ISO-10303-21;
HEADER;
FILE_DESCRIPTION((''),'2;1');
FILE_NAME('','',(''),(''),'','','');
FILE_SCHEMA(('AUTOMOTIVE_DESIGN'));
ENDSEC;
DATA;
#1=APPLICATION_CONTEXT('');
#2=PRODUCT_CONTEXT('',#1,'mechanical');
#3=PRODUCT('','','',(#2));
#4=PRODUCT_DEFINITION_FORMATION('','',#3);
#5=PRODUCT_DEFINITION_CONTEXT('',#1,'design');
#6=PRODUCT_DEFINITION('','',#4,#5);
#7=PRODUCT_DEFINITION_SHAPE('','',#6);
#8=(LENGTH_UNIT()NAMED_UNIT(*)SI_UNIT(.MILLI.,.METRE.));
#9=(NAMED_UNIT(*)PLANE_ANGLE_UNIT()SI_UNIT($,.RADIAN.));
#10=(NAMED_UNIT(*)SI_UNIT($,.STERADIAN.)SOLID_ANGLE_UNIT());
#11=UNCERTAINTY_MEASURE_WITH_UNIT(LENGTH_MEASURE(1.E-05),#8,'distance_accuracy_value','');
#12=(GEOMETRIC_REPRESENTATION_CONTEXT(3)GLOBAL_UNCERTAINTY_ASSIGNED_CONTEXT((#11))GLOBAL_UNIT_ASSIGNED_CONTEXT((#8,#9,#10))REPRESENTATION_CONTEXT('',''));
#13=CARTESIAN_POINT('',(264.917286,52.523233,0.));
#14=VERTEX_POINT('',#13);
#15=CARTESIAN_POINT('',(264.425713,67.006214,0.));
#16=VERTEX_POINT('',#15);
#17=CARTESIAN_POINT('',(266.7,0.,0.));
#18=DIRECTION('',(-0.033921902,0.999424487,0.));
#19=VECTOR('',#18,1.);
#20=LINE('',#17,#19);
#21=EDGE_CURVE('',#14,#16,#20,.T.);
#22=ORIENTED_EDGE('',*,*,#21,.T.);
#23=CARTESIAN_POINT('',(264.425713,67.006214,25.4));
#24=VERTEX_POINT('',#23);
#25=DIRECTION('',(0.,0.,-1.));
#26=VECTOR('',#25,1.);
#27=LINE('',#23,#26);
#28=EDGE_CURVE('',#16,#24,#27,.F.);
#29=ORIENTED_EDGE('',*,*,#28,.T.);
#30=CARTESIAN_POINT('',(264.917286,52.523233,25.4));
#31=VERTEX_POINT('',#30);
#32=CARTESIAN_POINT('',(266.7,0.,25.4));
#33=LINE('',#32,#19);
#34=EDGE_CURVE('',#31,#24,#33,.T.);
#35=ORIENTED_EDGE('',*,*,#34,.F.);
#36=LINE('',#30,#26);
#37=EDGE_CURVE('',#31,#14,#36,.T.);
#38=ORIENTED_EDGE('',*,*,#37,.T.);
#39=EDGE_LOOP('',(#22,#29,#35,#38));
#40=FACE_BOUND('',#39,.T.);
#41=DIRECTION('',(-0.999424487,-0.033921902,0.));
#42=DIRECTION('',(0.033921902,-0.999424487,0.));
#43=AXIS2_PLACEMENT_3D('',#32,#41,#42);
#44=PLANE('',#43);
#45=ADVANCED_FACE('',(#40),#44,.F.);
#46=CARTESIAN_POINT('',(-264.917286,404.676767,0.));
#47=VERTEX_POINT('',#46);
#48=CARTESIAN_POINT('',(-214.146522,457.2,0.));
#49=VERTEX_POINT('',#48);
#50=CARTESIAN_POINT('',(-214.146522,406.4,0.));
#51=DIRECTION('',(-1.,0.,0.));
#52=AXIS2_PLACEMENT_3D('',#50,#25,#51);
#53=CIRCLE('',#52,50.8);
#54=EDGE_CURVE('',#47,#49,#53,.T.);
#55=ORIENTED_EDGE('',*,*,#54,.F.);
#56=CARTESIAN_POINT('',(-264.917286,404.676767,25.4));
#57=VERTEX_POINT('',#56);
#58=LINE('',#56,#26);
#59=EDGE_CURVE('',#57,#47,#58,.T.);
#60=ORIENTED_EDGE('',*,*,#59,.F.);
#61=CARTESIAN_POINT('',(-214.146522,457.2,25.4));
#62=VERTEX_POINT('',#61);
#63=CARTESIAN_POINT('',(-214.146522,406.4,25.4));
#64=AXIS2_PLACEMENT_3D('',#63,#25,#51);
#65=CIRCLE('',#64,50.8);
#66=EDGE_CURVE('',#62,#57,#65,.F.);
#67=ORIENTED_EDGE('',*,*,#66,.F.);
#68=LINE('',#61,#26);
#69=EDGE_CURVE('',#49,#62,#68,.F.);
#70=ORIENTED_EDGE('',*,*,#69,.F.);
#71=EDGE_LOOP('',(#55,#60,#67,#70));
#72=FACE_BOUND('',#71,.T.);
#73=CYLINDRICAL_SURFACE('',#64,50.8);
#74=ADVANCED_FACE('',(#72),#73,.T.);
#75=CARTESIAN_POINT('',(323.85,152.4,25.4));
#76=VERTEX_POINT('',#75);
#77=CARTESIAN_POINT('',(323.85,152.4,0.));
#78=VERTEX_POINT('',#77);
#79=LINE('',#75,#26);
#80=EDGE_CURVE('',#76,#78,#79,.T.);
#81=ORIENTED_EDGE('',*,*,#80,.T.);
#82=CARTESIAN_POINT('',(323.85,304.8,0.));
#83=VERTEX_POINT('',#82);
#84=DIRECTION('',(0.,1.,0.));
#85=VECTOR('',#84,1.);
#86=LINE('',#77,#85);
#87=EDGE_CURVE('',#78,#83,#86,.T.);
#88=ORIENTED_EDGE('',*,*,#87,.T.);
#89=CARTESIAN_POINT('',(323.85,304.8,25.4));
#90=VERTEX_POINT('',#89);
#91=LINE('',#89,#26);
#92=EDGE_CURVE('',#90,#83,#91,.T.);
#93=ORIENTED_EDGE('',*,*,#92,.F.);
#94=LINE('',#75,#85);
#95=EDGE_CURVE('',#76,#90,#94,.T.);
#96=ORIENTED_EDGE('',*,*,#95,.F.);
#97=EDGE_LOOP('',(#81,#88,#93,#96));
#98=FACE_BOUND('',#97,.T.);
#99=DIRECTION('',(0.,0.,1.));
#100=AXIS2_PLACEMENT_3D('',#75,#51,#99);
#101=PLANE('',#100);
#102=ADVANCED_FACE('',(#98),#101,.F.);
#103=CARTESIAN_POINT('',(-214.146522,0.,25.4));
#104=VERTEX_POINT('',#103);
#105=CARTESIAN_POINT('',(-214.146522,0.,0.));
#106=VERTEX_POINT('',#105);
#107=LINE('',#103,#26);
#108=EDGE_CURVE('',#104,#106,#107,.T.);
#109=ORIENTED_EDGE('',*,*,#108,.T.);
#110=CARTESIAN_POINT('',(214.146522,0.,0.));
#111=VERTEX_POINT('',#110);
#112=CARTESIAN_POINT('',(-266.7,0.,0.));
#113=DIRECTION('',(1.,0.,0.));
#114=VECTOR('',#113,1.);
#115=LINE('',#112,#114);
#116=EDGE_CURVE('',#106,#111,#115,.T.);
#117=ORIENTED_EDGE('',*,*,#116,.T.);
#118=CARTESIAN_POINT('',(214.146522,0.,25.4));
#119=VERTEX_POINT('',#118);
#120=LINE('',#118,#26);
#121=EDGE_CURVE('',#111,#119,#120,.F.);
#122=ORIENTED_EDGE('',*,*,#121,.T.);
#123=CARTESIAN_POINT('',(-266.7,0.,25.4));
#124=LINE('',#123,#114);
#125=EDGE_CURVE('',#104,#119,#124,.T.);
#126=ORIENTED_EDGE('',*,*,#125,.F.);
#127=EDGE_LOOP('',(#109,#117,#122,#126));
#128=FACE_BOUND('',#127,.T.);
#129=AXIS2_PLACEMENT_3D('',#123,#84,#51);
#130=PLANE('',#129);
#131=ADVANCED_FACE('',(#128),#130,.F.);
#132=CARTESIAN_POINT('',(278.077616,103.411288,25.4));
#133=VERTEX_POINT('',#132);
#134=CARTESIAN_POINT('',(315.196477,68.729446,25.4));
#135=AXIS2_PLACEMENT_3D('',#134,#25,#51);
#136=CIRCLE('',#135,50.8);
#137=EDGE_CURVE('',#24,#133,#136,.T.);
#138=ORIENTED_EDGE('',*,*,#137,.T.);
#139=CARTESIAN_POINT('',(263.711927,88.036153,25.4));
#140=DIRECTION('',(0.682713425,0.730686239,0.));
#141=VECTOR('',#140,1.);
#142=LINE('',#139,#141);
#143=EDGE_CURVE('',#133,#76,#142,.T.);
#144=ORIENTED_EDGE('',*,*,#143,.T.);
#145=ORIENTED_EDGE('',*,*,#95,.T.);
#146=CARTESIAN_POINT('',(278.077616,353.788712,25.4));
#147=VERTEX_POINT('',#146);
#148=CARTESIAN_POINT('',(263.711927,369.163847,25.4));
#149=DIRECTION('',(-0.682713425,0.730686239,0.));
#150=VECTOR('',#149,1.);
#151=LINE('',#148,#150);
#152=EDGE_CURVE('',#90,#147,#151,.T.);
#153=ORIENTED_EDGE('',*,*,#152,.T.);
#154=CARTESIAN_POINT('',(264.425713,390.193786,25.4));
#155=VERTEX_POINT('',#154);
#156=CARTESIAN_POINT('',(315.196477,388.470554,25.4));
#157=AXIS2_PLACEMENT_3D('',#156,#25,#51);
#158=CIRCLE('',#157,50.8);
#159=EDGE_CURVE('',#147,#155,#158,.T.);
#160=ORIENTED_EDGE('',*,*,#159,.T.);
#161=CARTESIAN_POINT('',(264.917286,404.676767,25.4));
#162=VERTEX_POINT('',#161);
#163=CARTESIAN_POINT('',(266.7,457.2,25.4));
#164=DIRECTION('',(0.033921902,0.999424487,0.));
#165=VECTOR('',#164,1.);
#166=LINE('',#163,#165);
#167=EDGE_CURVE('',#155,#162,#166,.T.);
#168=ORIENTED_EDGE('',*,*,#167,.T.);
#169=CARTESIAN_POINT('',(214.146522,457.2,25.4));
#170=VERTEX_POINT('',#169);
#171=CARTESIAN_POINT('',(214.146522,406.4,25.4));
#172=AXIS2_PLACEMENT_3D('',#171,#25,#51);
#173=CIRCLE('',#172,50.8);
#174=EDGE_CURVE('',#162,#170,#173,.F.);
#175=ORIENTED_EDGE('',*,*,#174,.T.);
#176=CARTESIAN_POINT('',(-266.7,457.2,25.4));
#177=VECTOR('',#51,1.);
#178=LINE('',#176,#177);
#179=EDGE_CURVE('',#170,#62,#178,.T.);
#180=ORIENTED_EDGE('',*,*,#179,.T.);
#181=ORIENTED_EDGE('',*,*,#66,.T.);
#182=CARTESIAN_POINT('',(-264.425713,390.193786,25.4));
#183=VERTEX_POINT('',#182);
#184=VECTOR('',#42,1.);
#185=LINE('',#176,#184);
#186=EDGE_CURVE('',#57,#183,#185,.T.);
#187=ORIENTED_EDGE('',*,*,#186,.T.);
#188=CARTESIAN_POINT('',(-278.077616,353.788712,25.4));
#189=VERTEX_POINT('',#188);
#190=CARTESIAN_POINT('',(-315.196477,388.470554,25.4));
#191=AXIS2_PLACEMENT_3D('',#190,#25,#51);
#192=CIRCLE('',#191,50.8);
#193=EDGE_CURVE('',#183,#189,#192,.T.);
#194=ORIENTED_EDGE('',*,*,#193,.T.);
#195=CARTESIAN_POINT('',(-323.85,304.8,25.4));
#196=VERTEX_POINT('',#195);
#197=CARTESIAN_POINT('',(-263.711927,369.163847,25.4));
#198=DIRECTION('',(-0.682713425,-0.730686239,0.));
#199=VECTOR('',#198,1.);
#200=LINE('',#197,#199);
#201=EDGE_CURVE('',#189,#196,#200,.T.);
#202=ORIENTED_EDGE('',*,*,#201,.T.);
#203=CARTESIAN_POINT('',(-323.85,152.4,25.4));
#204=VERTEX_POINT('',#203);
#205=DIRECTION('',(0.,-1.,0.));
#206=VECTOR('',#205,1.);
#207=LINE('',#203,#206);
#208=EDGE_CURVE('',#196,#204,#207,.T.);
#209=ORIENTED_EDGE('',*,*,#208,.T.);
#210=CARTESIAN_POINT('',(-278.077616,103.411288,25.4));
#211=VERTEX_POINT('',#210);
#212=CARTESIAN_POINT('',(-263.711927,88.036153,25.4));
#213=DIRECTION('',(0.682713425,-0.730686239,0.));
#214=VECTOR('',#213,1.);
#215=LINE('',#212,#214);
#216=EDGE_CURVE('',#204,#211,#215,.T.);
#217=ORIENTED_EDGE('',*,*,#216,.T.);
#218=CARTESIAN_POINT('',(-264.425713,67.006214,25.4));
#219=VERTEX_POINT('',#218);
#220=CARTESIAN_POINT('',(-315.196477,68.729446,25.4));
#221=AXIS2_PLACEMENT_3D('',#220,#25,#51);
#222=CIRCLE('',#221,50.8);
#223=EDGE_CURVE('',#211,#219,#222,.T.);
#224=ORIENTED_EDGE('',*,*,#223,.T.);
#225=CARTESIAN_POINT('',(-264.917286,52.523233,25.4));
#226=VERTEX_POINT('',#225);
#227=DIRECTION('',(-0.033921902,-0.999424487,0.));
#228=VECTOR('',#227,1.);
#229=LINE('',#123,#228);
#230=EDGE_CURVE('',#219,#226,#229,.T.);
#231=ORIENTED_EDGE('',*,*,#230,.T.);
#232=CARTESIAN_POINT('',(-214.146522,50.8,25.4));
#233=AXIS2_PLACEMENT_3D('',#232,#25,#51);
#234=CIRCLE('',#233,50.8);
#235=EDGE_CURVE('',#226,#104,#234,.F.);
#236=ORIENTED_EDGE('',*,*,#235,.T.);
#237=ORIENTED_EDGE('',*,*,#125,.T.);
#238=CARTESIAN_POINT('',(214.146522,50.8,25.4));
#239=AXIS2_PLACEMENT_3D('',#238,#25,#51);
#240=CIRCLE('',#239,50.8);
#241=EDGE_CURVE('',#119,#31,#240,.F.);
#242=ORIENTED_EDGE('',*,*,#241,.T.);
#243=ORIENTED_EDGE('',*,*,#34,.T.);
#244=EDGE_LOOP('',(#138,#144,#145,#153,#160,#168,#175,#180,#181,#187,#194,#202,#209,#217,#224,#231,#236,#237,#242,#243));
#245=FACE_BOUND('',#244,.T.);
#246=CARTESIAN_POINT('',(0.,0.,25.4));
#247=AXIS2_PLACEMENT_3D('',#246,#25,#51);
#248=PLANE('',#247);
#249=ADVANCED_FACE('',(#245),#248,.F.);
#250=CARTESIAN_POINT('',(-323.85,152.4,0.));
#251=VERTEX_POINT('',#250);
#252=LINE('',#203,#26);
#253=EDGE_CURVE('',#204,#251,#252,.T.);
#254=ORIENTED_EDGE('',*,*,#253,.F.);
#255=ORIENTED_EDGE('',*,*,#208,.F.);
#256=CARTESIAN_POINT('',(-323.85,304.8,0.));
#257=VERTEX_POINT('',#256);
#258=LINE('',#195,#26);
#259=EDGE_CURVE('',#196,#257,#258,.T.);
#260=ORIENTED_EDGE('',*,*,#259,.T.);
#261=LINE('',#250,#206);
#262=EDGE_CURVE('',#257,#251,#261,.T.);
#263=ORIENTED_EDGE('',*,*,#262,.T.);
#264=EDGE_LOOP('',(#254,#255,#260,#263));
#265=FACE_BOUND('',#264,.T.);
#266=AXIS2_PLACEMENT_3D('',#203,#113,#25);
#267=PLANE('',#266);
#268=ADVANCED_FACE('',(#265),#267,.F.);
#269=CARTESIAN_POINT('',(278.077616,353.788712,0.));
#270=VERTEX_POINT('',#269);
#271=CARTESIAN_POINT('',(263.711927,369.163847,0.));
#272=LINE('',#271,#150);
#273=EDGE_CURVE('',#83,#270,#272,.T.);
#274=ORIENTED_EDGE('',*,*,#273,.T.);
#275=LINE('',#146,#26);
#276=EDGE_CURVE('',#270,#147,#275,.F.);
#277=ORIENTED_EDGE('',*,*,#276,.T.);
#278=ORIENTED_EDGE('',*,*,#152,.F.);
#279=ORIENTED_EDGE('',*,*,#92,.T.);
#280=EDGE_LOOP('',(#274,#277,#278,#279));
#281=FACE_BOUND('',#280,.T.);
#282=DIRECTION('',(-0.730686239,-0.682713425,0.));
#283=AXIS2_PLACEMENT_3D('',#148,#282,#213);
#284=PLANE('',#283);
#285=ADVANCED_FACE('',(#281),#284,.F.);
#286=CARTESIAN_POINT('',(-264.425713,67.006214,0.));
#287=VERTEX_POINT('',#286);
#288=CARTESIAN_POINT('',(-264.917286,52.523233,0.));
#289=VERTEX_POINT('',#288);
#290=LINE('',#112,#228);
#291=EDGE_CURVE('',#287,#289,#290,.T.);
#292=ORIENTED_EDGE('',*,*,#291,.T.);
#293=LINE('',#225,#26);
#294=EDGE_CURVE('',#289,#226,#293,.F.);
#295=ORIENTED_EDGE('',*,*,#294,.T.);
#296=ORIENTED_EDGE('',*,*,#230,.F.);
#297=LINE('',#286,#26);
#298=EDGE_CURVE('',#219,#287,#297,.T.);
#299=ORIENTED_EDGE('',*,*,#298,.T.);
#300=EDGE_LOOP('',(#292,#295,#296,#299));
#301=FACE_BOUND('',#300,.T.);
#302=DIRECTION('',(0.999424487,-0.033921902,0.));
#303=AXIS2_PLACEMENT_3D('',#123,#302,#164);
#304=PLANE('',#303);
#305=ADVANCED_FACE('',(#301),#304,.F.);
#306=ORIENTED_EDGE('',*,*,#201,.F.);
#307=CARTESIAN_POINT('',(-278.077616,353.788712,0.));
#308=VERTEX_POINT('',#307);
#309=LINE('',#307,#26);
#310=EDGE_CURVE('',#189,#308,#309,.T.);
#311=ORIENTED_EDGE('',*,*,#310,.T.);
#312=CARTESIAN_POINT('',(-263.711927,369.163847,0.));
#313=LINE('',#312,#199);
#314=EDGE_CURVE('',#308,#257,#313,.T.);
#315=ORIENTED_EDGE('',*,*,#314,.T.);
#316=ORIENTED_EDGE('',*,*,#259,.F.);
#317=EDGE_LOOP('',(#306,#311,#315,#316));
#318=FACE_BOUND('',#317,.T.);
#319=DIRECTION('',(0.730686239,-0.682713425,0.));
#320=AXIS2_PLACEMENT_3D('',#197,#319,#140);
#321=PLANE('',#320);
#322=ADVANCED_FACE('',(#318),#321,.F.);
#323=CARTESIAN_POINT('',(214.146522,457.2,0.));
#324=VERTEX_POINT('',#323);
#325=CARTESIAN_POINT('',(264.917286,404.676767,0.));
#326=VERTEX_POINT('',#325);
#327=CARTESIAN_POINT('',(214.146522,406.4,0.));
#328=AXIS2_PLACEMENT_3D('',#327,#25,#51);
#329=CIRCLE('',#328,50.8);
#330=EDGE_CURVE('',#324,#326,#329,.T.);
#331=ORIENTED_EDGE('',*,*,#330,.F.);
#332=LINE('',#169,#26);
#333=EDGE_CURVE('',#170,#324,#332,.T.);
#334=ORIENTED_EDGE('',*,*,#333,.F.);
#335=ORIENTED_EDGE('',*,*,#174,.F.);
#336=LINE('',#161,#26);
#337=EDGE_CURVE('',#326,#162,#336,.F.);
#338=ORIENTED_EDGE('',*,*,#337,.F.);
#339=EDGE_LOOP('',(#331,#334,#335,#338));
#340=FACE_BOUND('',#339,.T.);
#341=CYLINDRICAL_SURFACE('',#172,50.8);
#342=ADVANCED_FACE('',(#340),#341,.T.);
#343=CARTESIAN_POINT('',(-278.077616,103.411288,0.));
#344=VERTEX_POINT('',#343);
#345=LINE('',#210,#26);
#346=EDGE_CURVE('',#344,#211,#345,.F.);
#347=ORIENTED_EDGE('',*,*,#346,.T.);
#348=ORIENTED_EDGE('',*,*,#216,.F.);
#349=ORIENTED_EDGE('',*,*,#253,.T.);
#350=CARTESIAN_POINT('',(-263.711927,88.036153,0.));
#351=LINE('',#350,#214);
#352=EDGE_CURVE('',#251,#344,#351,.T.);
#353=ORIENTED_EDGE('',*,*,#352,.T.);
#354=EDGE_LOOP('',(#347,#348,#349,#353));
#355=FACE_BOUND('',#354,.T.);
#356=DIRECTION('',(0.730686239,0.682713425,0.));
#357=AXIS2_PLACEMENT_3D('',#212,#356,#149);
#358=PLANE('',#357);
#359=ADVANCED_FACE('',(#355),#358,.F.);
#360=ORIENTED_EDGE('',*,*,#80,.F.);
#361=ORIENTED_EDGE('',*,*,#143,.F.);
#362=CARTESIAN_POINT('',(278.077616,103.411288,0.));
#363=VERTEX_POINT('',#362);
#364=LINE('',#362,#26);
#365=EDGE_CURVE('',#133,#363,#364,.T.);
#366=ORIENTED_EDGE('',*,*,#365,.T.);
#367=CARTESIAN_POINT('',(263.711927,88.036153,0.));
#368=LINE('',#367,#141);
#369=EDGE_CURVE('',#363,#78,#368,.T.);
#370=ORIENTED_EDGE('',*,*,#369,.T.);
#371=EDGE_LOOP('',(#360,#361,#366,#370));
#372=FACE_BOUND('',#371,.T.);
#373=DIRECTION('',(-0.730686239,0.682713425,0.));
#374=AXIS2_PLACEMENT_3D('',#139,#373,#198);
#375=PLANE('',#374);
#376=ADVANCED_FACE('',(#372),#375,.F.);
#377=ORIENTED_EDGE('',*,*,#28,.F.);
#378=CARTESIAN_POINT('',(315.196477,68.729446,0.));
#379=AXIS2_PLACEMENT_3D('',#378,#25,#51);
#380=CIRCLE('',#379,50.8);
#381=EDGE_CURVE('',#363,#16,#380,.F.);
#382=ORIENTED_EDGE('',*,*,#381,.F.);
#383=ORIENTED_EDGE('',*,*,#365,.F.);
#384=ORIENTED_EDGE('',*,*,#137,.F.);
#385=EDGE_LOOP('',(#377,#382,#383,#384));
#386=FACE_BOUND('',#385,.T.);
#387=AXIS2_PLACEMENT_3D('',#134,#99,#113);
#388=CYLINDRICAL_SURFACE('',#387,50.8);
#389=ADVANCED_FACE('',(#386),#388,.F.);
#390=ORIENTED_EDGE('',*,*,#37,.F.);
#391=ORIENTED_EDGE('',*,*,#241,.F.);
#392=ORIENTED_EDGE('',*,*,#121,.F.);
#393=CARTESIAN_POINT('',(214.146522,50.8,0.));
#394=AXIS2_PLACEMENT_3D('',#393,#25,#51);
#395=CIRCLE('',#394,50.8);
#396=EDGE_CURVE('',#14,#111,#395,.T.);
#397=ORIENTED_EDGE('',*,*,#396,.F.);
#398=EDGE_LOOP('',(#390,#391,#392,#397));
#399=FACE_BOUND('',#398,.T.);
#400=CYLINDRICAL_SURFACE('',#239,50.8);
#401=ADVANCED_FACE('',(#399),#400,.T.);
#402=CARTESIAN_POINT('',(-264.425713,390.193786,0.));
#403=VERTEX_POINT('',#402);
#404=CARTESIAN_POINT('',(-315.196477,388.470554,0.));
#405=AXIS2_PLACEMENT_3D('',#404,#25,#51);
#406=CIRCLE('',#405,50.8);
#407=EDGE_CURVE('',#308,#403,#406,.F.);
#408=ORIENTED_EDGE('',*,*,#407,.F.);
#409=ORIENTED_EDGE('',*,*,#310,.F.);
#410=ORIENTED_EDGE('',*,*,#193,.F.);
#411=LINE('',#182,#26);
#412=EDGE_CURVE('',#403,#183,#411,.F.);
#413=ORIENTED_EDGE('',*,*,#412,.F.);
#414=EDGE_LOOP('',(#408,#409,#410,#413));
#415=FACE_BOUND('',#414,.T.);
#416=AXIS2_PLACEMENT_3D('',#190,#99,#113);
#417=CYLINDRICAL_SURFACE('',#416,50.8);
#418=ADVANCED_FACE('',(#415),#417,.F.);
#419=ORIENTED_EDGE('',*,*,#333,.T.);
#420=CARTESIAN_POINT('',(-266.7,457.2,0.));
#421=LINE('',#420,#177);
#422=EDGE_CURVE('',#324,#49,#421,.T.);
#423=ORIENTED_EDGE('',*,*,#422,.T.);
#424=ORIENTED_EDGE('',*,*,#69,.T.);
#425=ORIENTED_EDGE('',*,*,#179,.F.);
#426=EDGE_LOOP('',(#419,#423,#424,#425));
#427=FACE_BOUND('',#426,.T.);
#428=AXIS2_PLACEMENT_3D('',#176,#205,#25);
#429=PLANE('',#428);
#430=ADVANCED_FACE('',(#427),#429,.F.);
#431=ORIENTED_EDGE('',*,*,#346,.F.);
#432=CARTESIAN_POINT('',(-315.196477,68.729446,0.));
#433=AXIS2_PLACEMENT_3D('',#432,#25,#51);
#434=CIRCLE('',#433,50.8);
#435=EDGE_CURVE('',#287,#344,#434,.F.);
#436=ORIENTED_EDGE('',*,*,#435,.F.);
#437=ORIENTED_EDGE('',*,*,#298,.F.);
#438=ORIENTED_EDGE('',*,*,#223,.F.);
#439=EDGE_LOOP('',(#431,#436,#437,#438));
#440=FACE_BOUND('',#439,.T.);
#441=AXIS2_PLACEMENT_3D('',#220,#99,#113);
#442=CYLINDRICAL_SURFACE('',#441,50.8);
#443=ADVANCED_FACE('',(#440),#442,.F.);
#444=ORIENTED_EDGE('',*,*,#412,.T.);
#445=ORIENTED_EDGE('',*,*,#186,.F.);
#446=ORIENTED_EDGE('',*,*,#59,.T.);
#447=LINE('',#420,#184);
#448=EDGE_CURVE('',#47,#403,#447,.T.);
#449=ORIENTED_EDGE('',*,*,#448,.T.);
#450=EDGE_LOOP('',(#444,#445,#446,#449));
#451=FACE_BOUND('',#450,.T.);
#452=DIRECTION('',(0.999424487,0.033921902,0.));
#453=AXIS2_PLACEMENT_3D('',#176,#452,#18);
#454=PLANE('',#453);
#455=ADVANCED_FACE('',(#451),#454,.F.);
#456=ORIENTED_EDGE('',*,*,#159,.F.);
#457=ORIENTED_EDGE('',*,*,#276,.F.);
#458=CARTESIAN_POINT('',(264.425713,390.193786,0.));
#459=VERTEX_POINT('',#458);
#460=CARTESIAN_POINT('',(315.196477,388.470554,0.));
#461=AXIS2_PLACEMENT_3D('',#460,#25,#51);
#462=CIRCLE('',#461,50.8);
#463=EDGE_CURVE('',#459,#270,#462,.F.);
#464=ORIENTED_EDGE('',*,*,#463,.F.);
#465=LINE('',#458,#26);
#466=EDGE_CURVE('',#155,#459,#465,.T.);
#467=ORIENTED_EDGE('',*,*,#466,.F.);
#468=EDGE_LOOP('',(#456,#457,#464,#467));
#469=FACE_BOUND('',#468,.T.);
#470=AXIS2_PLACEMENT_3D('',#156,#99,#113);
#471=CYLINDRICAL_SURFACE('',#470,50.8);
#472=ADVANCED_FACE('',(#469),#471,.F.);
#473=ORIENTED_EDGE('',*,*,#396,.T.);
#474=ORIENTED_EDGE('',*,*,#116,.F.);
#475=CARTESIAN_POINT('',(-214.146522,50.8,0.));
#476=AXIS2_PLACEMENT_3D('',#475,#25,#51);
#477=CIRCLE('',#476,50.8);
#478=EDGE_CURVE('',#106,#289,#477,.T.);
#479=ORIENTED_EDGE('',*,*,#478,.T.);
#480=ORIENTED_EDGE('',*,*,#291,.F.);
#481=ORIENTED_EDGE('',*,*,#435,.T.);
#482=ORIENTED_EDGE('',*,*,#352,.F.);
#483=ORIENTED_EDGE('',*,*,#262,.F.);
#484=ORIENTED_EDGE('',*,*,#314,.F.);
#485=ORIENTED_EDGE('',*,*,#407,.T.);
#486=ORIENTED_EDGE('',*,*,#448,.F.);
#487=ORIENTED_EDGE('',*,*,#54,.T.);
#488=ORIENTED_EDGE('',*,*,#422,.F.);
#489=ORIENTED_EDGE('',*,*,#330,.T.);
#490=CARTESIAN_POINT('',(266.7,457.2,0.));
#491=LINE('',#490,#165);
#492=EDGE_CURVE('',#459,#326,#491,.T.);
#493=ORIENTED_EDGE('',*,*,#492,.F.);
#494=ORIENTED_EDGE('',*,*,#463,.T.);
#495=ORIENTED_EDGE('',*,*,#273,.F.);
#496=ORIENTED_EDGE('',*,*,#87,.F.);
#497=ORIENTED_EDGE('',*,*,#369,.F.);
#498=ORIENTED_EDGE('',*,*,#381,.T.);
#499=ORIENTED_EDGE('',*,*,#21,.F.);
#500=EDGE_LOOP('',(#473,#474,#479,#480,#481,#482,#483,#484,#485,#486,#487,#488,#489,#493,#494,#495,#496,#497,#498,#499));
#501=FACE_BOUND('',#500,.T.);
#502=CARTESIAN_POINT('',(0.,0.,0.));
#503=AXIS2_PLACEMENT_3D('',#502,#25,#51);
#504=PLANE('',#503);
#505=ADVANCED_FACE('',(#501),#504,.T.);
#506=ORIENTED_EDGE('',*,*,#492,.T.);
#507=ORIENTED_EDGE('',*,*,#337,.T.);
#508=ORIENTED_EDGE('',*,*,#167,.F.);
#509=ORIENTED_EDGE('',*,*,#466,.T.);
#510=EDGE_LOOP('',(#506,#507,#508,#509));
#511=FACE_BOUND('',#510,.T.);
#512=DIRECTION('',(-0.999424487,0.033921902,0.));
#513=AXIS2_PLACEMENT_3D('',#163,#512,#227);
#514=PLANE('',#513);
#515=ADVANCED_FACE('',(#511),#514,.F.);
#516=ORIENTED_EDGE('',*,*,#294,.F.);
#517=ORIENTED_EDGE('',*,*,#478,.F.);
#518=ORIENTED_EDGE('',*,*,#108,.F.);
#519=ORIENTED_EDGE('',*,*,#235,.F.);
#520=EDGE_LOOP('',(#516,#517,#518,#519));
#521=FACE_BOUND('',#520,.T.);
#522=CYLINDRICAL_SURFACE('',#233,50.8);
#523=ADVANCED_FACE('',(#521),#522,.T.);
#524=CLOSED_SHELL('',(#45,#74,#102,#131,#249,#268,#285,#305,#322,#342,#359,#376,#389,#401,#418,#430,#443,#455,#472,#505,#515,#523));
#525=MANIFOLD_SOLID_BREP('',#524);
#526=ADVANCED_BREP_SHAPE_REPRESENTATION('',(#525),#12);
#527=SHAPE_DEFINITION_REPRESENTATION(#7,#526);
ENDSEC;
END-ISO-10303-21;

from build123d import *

# Parameters (mm, degrees)
BOSS_EXTRUDE1_DEPTH = 25.4
FILLET1_R           = 50.8


with BuildPart() as part:
    # Sketch1 → Boss-Extrude1 (new body)
    with BuildSketch(Plane.XY):
        Polygon((-266.7, 0), (266.7, 0), (263.711926547, 88.036152545), (323.85, 152.4), (323.85, 304.8), (263.711926547, 369.163847455), (266.7, 457.2), (-266.7, 457.2), (-263.711926547, 369.163847455), (-323.85, 304.8), (-323.85, 152.4), (-263.711926547, 88.036152545), align=None)
    extrude(amount=BOSS_EXTRUDE1_DEPTH)

    # Fillet1
    fillet1_edges = [part.edges().sort_by_distance(p)[0] for p in [
        (266.7, 0, 12.7),
        (-266.7, 0, 12.7),
        (-263.711926547, 88.036152545, 12.7),
        (-263.711926547, 369.163847455, 12.7),
        (-266.7, 457.2, 12.7),
        (266.7, 457.2, 12.7),
        (263.711926547, 369.163847455, 12.7),
        (263.711926547, 88.036152545, 12.7),
    ]]
    fillet(fillet1_edges, radius=FILLET1_R)


solid = part.part
